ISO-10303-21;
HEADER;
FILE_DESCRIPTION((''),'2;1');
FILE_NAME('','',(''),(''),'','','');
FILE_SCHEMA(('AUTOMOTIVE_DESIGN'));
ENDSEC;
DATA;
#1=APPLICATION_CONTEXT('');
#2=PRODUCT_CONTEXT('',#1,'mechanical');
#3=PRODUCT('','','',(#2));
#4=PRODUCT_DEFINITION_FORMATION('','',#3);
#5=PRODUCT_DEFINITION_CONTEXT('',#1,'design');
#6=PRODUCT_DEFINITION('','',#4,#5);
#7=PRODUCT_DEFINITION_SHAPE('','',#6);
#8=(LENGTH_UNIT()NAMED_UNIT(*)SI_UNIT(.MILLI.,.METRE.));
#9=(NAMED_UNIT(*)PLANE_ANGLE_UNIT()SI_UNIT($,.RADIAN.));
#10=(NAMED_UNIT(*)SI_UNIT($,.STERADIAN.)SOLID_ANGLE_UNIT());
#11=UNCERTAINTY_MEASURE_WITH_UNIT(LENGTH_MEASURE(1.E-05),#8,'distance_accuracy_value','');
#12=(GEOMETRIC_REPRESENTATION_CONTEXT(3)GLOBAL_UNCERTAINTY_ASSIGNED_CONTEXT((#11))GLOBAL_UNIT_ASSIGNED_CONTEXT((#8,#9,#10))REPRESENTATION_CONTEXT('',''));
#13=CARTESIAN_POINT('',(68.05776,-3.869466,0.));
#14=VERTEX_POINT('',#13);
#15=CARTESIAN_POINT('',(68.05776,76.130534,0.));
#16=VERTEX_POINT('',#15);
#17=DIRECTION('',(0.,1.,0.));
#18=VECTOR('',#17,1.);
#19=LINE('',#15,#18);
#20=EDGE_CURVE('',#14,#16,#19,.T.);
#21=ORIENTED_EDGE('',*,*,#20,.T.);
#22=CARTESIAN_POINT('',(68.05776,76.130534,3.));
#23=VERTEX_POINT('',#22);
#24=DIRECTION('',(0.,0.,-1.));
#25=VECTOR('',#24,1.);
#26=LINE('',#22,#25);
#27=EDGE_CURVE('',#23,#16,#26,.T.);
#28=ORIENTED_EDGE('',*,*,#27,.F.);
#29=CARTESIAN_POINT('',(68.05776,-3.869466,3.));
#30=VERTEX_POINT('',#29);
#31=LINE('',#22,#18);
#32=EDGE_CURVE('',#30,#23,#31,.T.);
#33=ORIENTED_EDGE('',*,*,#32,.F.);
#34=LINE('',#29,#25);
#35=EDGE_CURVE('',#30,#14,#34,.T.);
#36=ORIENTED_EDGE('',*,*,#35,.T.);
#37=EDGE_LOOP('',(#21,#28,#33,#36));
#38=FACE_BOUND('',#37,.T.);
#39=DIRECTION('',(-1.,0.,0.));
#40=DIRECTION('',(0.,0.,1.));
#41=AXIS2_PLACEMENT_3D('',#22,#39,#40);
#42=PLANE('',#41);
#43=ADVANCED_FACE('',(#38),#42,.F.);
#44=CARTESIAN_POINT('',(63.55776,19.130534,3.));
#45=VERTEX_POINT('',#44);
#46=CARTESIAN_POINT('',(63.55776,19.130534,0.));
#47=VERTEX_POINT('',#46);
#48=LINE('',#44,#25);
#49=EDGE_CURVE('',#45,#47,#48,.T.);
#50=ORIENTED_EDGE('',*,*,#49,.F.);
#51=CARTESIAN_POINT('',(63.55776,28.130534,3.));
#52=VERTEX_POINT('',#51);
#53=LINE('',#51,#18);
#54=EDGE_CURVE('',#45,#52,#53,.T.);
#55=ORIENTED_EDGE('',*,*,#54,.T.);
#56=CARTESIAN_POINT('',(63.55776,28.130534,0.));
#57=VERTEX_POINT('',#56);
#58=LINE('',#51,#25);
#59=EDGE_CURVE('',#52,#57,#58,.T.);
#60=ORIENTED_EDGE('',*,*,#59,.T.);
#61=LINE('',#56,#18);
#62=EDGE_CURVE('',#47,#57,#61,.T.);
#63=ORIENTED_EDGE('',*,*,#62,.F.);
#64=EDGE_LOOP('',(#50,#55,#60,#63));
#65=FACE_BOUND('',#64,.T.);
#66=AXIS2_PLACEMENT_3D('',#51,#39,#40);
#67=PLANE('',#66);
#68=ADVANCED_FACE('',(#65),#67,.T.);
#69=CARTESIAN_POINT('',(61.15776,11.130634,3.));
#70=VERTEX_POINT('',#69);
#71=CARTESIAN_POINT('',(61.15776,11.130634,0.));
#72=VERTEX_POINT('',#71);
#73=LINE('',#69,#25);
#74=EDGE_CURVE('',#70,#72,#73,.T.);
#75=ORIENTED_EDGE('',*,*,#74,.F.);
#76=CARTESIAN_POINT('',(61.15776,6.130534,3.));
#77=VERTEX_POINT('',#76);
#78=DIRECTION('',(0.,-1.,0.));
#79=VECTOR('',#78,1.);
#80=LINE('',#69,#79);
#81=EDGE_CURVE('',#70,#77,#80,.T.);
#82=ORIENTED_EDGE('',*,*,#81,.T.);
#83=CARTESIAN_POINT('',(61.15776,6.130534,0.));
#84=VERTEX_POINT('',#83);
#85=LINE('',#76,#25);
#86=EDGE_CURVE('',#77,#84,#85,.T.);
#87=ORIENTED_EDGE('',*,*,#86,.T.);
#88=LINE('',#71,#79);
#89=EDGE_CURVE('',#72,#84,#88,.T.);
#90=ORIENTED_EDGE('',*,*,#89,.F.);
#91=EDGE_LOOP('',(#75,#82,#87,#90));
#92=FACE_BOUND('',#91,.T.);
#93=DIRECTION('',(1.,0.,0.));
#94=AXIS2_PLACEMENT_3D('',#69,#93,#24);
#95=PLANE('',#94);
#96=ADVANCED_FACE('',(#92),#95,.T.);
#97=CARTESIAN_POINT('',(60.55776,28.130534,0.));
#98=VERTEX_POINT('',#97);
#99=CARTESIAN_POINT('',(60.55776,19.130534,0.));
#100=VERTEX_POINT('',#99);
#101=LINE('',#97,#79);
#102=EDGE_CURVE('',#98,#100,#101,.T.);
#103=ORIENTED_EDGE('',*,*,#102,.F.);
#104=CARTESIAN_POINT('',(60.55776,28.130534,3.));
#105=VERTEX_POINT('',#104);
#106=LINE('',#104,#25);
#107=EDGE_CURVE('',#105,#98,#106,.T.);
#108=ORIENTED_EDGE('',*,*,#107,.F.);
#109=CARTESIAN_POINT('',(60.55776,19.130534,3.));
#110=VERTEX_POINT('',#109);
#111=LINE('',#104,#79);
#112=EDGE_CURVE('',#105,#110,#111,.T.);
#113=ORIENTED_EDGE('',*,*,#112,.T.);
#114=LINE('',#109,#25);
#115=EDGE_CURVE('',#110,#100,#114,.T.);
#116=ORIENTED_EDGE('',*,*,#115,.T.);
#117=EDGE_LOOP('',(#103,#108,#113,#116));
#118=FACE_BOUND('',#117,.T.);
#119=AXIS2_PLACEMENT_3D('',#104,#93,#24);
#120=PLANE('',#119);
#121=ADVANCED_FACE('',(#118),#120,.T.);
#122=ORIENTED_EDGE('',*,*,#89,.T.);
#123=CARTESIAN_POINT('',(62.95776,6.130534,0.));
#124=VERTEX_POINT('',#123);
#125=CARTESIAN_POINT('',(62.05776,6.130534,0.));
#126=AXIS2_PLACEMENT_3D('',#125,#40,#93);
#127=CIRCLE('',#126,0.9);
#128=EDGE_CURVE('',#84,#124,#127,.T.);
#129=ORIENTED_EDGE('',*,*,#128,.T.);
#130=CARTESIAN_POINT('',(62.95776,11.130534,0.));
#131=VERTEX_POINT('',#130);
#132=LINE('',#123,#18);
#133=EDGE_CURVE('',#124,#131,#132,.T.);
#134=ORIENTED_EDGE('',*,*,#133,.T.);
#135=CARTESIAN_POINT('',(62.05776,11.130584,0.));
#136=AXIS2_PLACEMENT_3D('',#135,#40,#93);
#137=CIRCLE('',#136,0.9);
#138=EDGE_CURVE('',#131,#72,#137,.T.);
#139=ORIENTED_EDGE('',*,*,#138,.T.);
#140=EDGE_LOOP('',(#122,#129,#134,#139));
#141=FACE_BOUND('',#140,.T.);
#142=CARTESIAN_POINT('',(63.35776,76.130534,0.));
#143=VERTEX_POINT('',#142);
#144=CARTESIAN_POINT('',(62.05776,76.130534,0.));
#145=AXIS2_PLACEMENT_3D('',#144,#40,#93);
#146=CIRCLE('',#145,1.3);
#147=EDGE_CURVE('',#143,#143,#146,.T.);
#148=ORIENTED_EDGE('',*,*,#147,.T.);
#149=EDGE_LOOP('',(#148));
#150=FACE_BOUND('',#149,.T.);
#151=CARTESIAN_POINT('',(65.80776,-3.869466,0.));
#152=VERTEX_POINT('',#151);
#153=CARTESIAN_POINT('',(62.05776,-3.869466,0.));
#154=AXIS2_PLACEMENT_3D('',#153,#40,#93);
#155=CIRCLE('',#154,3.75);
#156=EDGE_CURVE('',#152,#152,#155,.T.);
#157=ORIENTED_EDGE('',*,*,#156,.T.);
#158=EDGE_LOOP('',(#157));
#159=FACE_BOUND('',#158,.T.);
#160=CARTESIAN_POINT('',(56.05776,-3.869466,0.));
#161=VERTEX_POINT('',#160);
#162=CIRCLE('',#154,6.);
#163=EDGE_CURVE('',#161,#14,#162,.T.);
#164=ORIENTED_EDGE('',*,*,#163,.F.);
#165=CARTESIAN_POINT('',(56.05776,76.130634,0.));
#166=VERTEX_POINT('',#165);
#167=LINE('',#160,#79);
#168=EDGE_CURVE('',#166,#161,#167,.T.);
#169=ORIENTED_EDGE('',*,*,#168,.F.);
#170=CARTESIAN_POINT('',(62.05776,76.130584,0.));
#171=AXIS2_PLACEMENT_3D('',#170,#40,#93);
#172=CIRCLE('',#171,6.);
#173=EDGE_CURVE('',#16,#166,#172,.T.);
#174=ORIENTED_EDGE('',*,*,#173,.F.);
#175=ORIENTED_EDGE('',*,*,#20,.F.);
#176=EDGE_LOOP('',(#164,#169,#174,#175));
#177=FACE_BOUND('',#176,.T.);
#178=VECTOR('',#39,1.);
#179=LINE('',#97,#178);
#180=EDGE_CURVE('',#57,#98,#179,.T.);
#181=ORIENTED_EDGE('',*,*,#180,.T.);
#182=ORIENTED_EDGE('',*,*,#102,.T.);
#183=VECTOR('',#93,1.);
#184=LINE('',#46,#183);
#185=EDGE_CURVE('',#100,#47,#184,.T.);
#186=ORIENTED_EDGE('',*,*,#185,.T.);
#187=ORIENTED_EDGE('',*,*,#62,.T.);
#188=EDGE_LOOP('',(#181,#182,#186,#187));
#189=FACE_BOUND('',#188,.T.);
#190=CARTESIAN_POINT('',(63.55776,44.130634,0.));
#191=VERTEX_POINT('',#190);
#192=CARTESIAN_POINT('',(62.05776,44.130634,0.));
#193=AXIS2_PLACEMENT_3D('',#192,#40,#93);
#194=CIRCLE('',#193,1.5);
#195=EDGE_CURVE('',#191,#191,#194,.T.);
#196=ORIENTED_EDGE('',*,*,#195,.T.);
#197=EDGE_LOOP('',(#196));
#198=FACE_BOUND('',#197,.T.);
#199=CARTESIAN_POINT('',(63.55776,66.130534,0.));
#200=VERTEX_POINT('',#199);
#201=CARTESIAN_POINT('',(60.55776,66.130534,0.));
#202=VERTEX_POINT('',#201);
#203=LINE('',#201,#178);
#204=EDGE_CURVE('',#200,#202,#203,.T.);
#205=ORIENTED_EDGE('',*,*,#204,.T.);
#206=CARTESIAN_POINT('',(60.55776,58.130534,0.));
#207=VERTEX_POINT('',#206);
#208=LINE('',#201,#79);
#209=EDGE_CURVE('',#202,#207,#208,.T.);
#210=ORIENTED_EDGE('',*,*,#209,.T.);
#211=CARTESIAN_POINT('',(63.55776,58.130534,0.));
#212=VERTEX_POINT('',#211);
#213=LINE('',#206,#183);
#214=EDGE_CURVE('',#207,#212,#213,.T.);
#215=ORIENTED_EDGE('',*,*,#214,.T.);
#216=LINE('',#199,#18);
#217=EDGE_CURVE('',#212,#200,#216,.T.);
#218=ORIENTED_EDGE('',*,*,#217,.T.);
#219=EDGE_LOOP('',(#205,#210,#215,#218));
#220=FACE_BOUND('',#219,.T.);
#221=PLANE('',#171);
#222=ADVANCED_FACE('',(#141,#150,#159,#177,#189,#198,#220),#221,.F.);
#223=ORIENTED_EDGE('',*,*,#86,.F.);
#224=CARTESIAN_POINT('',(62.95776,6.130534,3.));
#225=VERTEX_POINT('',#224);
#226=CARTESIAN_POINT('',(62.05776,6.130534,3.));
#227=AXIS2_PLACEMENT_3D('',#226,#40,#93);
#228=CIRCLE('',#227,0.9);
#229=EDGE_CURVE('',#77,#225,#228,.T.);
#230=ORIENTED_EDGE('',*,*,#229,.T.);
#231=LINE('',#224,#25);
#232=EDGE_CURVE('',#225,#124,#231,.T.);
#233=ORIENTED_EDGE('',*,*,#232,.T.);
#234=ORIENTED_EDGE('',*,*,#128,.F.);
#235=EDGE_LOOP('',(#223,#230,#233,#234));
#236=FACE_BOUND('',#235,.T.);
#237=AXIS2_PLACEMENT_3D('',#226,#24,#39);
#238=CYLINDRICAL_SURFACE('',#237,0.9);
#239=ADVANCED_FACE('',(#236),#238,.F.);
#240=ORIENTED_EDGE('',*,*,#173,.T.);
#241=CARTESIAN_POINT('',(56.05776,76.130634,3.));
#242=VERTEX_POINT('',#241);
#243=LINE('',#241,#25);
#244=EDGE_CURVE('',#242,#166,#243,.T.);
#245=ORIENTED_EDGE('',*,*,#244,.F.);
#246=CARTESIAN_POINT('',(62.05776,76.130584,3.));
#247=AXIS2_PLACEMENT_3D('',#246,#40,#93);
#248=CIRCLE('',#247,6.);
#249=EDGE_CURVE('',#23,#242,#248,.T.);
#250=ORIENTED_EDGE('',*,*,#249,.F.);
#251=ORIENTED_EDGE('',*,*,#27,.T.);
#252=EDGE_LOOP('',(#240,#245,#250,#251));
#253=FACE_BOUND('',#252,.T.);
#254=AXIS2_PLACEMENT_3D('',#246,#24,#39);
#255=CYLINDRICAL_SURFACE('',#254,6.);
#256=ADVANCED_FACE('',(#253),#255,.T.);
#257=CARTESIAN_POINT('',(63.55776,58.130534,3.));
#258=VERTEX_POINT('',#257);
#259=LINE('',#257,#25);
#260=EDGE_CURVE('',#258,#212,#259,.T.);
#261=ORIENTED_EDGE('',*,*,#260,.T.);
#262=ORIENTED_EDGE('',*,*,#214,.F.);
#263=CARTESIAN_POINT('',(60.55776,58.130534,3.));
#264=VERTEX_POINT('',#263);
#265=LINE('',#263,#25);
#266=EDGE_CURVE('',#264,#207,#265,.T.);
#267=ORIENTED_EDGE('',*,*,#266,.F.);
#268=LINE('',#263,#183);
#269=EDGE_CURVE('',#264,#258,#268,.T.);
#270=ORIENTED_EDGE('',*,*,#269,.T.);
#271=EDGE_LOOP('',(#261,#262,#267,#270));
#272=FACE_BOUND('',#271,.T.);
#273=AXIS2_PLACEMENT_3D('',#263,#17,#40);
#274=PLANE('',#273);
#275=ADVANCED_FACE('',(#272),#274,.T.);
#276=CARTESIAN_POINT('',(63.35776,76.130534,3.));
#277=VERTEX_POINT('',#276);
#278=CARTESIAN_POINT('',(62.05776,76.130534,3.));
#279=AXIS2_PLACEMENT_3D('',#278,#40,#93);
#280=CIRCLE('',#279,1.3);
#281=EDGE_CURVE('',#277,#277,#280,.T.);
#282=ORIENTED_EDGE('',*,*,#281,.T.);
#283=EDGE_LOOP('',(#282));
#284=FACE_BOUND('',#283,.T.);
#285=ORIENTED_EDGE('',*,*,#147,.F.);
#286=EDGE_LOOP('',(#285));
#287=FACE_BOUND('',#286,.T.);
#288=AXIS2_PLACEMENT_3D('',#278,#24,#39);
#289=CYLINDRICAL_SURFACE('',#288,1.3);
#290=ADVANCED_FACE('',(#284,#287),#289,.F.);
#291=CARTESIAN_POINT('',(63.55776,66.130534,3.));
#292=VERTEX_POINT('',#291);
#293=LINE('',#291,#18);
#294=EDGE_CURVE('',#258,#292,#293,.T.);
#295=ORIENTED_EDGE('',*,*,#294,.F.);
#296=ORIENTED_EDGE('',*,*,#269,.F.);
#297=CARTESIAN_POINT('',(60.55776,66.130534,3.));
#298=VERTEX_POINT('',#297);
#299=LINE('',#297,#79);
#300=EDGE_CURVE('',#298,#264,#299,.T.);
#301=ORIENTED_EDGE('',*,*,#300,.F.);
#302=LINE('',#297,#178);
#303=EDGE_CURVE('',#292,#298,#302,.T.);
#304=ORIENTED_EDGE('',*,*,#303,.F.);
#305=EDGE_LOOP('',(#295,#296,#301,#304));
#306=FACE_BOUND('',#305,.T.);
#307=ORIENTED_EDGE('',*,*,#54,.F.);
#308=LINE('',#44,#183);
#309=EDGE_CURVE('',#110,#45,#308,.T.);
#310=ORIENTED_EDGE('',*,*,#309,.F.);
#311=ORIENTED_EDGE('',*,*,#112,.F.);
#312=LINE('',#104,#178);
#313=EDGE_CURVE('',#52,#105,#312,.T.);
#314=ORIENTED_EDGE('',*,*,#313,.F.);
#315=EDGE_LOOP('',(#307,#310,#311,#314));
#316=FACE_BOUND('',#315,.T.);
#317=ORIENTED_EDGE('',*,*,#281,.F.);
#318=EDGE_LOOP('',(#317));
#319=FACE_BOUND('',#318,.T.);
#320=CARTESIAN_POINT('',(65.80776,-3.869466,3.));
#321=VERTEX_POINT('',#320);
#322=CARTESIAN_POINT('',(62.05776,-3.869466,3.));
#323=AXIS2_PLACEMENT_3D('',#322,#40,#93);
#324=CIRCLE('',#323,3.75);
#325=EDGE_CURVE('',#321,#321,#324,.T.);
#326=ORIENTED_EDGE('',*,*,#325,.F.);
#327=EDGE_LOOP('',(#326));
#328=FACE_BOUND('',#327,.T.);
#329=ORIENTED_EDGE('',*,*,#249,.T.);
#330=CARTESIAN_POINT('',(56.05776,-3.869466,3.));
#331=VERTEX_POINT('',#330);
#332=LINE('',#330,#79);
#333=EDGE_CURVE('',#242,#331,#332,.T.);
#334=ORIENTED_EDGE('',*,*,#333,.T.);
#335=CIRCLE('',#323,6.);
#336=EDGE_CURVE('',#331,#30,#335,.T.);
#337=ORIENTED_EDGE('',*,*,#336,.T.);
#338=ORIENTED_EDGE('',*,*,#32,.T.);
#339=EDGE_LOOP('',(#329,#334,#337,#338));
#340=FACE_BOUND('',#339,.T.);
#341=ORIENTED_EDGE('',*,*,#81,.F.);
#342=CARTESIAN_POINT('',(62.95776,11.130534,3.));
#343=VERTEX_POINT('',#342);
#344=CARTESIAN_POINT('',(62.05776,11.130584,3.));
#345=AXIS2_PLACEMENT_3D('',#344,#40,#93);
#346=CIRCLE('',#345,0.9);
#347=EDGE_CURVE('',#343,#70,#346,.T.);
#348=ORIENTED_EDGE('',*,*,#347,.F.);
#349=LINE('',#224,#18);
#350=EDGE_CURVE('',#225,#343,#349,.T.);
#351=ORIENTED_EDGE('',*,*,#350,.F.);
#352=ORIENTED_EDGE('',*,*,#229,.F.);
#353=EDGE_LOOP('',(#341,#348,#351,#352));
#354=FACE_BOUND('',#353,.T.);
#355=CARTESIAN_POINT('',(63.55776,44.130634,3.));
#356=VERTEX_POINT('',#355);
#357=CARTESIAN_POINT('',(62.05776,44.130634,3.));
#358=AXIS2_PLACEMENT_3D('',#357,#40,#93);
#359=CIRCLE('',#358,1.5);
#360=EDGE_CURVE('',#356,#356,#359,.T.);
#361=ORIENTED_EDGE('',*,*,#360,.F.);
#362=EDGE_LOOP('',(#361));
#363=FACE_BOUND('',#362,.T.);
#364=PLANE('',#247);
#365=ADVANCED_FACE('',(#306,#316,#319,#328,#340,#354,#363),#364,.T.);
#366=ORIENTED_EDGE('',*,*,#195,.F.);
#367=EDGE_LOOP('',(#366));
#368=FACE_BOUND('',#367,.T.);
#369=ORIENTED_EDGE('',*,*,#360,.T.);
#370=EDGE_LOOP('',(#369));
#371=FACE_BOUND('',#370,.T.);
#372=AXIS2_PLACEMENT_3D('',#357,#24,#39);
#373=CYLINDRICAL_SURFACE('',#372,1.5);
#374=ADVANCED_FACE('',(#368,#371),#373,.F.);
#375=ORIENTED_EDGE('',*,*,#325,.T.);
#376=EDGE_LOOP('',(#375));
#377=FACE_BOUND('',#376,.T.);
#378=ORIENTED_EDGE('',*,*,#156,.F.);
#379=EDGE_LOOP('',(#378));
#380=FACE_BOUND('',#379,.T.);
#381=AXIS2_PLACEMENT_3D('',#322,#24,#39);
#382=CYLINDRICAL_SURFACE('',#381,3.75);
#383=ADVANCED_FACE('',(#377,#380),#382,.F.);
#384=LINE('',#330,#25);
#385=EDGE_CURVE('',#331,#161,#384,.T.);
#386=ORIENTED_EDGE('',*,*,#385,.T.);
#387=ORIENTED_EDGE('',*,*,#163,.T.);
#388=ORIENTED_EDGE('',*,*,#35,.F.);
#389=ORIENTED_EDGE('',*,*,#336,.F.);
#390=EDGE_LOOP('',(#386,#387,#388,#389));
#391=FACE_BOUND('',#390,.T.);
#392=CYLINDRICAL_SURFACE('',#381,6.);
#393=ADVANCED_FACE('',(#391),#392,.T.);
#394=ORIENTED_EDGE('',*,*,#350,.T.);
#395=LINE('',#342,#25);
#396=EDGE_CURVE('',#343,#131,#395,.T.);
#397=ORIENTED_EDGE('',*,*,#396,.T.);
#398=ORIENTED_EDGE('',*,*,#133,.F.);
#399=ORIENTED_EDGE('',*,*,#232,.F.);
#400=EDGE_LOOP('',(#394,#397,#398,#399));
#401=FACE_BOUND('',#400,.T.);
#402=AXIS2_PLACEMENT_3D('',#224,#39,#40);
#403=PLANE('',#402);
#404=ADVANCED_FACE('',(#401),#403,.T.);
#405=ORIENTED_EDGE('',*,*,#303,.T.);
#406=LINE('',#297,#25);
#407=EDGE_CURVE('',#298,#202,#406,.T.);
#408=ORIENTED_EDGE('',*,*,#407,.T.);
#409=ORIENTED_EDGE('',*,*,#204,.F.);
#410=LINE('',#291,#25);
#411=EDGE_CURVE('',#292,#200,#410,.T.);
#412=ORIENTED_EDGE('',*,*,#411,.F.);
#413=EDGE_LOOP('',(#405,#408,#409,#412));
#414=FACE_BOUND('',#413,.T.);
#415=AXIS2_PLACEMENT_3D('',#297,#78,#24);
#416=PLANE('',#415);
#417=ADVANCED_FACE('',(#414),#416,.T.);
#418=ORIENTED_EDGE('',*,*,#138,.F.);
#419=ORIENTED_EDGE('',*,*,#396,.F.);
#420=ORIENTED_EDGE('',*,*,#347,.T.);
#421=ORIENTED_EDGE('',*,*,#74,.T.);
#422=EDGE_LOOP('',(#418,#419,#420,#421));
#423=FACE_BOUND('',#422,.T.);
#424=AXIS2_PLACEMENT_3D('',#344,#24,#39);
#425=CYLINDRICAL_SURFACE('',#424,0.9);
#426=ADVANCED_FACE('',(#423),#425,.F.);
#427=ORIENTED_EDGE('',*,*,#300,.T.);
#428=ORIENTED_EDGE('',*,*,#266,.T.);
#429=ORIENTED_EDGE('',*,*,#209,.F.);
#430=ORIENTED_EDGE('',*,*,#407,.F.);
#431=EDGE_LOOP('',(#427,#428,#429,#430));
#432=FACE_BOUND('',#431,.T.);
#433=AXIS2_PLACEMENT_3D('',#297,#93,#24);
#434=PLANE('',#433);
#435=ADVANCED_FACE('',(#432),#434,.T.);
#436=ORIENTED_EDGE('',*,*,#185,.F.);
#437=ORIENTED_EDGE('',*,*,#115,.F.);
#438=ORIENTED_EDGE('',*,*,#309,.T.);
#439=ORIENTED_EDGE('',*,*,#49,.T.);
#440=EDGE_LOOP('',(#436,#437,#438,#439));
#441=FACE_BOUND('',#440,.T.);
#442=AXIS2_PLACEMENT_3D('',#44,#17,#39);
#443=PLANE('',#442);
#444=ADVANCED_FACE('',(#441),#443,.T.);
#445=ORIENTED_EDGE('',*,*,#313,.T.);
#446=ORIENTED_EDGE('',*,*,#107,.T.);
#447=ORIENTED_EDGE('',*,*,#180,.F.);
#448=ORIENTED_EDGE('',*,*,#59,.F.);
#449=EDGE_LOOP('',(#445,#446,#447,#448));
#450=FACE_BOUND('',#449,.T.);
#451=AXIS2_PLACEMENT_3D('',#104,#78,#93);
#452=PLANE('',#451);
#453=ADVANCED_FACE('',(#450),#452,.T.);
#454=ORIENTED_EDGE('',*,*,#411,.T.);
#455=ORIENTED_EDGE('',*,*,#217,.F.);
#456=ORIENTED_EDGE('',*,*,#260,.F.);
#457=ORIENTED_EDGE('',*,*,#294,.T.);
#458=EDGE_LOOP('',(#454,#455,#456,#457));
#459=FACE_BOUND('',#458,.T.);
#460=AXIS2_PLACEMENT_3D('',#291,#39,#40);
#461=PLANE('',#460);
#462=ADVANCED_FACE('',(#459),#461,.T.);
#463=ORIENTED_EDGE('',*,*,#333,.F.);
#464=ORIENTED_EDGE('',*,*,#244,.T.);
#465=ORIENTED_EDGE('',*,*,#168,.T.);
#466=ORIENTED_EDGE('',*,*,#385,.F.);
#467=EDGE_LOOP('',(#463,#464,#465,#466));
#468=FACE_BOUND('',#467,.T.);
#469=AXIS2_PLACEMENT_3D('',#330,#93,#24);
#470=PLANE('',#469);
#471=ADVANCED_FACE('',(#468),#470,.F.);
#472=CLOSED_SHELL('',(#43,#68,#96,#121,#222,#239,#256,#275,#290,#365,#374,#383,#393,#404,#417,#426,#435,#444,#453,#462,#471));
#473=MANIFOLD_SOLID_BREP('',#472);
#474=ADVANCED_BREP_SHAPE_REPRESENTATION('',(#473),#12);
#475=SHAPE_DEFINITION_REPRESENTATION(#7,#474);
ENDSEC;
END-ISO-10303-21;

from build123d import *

# Parameters (mm, degrees)
MODEL_R             = 3.750000001
MODEL_R_2           = 1.300000002
MODEL_R_3           = 1.500000002
MODEL_W             = 3
MODEL_H             = 9
MODEL_H_2           = 8
BOSS_EXTRUDE1_DEPTH = 3


with BuildPart() as part:
    # Model → Boss-Extrude1 (new body)
    with BuildSketch(Plane.XY):
        with BuildLine():
            Line((56.05776, -3.869466211), (56.05776, 76.130633789))
            ThreePointArc((56.05776, 76.130633789), (62.05781, 82.130583788), (68.05776, 76.130533788))
            Line((68.05776, 76.130533788), (68.05776, -3.869466211))
            ThreePointArc((68.05776, -3.869466211), (62.057759999, -9.869466211), (56.05776, -3.869466211))
        make_face()
        with Locations((62.057759999, -3.869466212)):
            Circle(MODEL_R, mode=Mode.SUBTRACT)
        with Locations((62.057759998, 76.130533787)):
            Circle(MODEL_R_2, mode=Mode.SUBTRACT)
        with Locations((62.057760002, 44.130633787)):
            Circle(MODEL_R_3, mode=Mode.SUBTRACT)
        with BuildLine():
            Line((61.15776, 11.130633789), (61.15776, 6.130533789))
            ThreePointArc((61.15776, 6.130533789), (62.05776, 5.230533789), (62.95776, 6.130533789))
            Line((62.95776, 6.130533789), (62.95776, 11.130533786))
            ThreePointArc((62.95776, 11.130533786), (62.057810001, 12.030583787), (61.15776, 11.130633789))
        make_face(mode=Mode.SUBTRACT)
        with Locations((62.05776, 23.630533789)):
            Rectangle(MODEL_W, MODEL_H, mode=Mode.SUBTRACT)
        with Locations((62.05776, 62.130533789)):
            Rectangle(MODEL_W, MODEL_H_2, mode=Mode.SUBTRACT)
    extrude(amount=BOSS_EXTRUDE1_DEPTH)


solid = part.part
